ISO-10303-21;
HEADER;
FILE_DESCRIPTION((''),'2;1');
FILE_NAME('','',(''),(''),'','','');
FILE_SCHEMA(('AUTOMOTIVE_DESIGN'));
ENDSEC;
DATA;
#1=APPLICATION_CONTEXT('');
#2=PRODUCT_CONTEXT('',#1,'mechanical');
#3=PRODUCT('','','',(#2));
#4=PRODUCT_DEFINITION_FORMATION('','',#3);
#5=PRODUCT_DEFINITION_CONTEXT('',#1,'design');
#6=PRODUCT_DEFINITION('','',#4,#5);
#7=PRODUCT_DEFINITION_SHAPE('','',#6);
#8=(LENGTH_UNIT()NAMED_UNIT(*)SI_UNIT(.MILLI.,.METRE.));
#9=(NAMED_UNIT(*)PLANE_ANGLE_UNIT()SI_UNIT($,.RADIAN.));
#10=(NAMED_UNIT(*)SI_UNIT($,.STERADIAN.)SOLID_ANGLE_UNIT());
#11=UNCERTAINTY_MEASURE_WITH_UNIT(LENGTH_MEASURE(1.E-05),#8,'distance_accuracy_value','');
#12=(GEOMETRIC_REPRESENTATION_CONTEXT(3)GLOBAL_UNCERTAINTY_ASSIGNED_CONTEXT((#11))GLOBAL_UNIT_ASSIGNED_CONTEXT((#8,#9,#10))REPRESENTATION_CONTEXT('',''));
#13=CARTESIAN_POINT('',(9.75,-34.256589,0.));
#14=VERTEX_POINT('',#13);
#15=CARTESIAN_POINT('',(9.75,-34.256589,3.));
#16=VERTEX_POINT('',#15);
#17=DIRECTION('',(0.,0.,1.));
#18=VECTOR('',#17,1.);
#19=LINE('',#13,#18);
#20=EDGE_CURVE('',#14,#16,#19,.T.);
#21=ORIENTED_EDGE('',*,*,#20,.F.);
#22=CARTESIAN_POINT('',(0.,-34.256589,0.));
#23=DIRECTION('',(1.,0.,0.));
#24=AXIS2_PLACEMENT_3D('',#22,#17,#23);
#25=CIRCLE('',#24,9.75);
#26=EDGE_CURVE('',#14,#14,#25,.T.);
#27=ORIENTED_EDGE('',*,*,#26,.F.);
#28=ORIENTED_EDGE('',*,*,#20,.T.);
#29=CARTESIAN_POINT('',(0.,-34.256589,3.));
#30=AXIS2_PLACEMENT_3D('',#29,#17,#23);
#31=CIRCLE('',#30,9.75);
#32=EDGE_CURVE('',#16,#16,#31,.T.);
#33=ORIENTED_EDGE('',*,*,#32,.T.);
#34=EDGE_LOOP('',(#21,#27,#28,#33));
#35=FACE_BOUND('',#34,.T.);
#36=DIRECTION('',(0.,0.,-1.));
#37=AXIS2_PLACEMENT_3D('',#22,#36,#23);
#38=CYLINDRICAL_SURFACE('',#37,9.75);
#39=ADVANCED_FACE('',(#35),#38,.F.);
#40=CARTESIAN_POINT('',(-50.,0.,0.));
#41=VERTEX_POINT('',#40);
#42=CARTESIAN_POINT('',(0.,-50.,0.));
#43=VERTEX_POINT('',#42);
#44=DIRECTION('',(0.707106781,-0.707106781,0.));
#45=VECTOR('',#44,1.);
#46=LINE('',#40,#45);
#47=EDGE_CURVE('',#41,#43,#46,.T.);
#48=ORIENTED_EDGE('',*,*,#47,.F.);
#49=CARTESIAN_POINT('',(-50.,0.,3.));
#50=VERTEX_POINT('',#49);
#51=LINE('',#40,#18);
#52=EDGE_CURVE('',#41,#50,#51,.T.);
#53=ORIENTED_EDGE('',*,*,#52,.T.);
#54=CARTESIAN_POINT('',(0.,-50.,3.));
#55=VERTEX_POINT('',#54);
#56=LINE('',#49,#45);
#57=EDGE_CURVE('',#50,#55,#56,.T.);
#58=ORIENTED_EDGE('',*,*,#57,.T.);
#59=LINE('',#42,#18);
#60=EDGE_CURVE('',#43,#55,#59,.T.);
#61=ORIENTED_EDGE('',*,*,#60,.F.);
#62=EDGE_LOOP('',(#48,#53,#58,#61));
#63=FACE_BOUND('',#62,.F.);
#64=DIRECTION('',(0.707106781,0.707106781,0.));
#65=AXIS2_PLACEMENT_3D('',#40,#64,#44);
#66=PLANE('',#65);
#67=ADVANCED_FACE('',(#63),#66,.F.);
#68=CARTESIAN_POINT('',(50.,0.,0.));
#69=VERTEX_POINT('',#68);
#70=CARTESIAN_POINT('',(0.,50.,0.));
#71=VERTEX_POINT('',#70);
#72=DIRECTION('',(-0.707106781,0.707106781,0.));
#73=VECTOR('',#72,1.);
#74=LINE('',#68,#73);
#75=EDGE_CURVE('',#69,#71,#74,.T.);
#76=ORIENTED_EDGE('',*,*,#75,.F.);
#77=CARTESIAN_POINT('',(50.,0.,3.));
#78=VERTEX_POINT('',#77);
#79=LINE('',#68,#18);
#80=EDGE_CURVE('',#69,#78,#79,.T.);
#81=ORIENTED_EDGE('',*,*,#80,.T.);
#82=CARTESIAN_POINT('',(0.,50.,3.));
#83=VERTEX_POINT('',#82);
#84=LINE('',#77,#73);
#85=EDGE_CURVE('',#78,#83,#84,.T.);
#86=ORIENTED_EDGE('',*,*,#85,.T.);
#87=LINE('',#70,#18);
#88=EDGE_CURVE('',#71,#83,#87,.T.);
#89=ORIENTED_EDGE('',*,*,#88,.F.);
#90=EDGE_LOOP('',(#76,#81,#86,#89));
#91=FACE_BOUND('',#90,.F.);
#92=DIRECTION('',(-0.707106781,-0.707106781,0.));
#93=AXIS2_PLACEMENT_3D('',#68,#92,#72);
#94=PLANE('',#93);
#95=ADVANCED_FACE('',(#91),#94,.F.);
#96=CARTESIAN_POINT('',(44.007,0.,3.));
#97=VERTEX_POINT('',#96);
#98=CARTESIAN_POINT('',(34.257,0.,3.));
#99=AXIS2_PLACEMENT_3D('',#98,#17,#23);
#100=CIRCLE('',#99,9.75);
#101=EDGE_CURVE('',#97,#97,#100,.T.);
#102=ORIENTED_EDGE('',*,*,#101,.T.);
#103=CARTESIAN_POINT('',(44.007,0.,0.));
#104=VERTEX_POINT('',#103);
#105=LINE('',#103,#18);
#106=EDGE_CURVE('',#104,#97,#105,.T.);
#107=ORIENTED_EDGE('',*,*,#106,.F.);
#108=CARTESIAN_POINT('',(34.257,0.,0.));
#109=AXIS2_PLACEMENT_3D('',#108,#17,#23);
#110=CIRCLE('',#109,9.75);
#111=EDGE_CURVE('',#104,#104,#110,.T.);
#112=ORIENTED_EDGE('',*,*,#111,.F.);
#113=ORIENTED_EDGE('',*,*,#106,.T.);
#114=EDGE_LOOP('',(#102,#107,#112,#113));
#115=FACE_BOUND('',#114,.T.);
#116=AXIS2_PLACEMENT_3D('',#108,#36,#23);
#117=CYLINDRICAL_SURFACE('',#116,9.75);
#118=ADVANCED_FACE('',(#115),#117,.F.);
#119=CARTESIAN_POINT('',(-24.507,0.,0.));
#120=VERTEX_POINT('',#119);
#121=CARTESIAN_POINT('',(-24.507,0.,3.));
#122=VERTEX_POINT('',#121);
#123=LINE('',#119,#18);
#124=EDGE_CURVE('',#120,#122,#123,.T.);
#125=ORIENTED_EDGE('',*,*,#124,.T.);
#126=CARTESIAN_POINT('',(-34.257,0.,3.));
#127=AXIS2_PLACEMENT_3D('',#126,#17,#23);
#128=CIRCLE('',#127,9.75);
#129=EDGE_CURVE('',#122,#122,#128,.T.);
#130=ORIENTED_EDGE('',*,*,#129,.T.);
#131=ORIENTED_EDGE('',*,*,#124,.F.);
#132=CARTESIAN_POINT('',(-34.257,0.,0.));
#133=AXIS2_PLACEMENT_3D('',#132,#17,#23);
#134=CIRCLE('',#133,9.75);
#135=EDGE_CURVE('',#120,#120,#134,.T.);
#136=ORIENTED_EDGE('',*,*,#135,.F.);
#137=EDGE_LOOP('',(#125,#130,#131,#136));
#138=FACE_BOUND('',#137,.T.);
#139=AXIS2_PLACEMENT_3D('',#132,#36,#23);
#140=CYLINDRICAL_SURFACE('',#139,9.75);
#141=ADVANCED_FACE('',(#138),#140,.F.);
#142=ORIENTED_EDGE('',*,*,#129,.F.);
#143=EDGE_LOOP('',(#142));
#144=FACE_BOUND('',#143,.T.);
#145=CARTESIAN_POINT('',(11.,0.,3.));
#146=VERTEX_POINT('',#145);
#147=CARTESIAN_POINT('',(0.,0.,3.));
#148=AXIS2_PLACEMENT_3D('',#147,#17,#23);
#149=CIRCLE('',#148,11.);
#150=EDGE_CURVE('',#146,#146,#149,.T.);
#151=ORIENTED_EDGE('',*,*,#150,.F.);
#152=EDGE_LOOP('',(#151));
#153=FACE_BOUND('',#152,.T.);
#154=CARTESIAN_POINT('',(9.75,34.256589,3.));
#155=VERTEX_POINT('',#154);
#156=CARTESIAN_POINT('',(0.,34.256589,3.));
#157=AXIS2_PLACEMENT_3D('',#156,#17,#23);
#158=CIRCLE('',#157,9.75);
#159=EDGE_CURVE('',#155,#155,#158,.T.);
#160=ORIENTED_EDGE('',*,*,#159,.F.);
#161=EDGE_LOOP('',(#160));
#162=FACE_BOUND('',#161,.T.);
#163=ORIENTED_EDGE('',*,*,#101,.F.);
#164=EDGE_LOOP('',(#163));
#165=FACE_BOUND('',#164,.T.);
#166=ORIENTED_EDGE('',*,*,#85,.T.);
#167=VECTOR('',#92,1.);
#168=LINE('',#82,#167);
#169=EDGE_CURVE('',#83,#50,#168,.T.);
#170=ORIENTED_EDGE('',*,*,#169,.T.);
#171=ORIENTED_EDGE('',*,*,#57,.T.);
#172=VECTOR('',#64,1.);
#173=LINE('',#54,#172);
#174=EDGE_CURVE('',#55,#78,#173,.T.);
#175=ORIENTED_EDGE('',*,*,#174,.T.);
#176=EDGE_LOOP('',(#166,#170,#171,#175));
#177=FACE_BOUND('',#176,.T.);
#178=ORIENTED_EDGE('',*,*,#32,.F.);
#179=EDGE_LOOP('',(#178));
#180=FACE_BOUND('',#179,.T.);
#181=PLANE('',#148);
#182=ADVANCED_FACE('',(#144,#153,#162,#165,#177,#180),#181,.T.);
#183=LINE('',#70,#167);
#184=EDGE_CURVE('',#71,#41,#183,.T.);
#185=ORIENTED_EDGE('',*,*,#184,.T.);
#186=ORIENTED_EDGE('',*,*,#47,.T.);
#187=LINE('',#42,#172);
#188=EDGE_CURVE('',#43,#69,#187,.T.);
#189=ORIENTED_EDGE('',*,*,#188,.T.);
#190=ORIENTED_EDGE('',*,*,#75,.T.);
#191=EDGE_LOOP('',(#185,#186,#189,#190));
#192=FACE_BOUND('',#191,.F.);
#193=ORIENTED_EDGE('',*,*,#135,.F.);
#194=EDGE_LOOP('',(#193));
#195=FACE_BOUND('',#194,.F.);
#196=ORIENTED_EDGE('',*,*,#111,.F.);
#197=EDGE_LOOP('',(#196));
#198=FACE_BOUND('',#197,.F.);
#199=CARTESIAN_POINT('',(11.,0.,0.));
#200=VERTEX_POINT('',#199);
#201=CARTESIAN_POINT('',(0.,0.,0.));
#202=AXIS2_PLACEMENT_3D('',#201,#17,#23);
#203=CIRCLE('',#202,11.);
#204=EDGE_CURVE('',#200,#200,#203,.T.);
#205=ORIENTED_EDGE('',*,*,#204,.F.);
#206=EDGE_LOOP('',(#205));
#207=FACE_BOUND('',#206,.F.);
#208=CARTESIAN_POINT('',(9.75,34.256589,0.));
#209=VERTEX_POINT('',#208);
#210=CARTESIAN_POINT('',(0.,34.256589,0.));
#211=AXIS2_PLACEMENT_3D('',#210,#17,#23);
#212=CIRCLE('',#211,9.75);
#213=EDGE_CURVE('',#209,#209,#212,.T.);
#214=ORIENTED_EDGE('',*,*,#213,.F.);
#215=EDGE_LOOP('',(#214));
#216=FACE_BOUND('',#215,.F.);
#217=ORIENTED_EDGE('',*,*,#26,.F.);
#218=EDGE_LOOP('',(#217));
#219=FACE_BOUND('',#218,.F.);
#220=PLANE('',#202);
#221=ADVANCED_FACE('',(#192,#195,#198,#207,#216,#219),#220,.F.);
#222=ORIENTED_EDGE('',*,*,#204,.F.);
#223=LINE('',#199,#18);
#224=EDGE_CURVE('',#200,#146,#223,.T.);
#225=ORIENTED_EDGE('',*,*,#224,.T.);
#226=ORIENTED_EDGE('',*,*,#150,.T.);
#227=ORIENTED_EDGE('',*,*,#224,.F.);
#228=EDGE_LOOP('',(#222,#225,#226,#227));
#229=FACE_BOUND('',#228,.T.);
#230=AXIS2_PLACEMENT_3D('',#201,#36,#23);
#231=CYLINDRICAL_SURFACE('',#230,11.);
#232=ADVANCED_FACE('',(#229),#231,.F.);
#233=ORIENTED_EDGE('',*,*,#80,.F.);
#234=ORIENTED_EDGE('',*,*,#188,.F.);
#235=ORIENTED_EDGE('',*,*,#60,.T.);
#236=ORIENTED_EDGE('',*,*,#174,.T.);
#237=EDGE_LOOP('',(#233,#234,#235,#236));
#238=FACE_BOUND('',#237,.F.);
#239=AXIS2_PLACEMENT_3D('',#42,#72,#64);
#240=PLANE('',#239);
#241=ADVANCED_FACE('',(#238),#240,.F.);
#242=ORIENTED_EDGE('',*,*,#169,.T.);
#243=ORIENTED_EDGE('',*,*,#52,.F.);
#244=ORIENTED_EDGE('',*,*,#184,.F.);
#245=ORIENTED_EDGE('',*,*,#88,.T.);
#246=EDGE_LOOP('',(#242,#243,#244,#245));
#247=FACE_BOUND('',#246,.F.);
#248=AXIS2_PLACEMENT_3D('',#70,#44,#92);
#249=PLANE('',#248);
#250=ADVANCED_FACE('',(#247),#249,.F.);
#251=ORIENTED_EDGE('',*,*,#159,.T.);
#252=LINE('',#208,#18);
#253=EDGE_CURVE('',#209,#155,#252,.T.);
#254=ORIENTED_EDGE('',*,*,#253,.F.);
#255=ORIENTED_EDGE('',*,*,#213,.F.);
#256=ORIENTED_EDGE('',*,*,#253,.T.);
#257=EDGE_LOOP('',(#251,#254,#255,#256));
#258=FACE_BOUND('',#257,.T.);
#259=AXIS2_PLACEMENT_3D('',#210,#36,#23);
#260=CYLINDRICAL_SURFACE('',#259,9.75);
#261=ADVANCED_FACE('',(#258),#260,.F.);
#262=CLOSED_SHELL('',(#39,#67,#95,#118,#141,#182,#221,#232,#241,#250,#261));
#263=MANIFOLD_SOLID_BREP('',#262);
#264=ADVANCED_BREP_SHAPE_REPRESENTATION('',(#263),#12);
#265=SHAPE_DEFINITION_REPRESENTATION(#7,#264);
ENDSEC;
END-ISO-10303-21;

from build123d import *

# Parameters (mm, degrees)
F0_R     = 9.75
F0_R_2   = 11
F1_DEPTH = 3


with BuildPart() as f1:
    # F0 (on Top) → F1 (new body)
    with BuildSketch(Plane.XY):
        Polygon((50, 0), (0, 50), (-50, 0), (0, -50), align=None)
        with Locations((0, -34.256589)):
            Circle(F0_R, mode=Mode.SUBTRACT)
        with Locations((-34.257, 0)):
            Circle(F0_R, mode=Mode.SUBTRACT)
        Circle(F0_R_2, mode=Mode.SUBTRACT)
        with Locations((34.257, 0)):
            Circle(F0_R, mode=Mode.SUBTRACT)
        with Locations((0, 34.256589)):
            Circle(F0_R, mode=Mode.SUBTRACT)
    extrude(amount=F1_DEPTH)


solid = f1.part
